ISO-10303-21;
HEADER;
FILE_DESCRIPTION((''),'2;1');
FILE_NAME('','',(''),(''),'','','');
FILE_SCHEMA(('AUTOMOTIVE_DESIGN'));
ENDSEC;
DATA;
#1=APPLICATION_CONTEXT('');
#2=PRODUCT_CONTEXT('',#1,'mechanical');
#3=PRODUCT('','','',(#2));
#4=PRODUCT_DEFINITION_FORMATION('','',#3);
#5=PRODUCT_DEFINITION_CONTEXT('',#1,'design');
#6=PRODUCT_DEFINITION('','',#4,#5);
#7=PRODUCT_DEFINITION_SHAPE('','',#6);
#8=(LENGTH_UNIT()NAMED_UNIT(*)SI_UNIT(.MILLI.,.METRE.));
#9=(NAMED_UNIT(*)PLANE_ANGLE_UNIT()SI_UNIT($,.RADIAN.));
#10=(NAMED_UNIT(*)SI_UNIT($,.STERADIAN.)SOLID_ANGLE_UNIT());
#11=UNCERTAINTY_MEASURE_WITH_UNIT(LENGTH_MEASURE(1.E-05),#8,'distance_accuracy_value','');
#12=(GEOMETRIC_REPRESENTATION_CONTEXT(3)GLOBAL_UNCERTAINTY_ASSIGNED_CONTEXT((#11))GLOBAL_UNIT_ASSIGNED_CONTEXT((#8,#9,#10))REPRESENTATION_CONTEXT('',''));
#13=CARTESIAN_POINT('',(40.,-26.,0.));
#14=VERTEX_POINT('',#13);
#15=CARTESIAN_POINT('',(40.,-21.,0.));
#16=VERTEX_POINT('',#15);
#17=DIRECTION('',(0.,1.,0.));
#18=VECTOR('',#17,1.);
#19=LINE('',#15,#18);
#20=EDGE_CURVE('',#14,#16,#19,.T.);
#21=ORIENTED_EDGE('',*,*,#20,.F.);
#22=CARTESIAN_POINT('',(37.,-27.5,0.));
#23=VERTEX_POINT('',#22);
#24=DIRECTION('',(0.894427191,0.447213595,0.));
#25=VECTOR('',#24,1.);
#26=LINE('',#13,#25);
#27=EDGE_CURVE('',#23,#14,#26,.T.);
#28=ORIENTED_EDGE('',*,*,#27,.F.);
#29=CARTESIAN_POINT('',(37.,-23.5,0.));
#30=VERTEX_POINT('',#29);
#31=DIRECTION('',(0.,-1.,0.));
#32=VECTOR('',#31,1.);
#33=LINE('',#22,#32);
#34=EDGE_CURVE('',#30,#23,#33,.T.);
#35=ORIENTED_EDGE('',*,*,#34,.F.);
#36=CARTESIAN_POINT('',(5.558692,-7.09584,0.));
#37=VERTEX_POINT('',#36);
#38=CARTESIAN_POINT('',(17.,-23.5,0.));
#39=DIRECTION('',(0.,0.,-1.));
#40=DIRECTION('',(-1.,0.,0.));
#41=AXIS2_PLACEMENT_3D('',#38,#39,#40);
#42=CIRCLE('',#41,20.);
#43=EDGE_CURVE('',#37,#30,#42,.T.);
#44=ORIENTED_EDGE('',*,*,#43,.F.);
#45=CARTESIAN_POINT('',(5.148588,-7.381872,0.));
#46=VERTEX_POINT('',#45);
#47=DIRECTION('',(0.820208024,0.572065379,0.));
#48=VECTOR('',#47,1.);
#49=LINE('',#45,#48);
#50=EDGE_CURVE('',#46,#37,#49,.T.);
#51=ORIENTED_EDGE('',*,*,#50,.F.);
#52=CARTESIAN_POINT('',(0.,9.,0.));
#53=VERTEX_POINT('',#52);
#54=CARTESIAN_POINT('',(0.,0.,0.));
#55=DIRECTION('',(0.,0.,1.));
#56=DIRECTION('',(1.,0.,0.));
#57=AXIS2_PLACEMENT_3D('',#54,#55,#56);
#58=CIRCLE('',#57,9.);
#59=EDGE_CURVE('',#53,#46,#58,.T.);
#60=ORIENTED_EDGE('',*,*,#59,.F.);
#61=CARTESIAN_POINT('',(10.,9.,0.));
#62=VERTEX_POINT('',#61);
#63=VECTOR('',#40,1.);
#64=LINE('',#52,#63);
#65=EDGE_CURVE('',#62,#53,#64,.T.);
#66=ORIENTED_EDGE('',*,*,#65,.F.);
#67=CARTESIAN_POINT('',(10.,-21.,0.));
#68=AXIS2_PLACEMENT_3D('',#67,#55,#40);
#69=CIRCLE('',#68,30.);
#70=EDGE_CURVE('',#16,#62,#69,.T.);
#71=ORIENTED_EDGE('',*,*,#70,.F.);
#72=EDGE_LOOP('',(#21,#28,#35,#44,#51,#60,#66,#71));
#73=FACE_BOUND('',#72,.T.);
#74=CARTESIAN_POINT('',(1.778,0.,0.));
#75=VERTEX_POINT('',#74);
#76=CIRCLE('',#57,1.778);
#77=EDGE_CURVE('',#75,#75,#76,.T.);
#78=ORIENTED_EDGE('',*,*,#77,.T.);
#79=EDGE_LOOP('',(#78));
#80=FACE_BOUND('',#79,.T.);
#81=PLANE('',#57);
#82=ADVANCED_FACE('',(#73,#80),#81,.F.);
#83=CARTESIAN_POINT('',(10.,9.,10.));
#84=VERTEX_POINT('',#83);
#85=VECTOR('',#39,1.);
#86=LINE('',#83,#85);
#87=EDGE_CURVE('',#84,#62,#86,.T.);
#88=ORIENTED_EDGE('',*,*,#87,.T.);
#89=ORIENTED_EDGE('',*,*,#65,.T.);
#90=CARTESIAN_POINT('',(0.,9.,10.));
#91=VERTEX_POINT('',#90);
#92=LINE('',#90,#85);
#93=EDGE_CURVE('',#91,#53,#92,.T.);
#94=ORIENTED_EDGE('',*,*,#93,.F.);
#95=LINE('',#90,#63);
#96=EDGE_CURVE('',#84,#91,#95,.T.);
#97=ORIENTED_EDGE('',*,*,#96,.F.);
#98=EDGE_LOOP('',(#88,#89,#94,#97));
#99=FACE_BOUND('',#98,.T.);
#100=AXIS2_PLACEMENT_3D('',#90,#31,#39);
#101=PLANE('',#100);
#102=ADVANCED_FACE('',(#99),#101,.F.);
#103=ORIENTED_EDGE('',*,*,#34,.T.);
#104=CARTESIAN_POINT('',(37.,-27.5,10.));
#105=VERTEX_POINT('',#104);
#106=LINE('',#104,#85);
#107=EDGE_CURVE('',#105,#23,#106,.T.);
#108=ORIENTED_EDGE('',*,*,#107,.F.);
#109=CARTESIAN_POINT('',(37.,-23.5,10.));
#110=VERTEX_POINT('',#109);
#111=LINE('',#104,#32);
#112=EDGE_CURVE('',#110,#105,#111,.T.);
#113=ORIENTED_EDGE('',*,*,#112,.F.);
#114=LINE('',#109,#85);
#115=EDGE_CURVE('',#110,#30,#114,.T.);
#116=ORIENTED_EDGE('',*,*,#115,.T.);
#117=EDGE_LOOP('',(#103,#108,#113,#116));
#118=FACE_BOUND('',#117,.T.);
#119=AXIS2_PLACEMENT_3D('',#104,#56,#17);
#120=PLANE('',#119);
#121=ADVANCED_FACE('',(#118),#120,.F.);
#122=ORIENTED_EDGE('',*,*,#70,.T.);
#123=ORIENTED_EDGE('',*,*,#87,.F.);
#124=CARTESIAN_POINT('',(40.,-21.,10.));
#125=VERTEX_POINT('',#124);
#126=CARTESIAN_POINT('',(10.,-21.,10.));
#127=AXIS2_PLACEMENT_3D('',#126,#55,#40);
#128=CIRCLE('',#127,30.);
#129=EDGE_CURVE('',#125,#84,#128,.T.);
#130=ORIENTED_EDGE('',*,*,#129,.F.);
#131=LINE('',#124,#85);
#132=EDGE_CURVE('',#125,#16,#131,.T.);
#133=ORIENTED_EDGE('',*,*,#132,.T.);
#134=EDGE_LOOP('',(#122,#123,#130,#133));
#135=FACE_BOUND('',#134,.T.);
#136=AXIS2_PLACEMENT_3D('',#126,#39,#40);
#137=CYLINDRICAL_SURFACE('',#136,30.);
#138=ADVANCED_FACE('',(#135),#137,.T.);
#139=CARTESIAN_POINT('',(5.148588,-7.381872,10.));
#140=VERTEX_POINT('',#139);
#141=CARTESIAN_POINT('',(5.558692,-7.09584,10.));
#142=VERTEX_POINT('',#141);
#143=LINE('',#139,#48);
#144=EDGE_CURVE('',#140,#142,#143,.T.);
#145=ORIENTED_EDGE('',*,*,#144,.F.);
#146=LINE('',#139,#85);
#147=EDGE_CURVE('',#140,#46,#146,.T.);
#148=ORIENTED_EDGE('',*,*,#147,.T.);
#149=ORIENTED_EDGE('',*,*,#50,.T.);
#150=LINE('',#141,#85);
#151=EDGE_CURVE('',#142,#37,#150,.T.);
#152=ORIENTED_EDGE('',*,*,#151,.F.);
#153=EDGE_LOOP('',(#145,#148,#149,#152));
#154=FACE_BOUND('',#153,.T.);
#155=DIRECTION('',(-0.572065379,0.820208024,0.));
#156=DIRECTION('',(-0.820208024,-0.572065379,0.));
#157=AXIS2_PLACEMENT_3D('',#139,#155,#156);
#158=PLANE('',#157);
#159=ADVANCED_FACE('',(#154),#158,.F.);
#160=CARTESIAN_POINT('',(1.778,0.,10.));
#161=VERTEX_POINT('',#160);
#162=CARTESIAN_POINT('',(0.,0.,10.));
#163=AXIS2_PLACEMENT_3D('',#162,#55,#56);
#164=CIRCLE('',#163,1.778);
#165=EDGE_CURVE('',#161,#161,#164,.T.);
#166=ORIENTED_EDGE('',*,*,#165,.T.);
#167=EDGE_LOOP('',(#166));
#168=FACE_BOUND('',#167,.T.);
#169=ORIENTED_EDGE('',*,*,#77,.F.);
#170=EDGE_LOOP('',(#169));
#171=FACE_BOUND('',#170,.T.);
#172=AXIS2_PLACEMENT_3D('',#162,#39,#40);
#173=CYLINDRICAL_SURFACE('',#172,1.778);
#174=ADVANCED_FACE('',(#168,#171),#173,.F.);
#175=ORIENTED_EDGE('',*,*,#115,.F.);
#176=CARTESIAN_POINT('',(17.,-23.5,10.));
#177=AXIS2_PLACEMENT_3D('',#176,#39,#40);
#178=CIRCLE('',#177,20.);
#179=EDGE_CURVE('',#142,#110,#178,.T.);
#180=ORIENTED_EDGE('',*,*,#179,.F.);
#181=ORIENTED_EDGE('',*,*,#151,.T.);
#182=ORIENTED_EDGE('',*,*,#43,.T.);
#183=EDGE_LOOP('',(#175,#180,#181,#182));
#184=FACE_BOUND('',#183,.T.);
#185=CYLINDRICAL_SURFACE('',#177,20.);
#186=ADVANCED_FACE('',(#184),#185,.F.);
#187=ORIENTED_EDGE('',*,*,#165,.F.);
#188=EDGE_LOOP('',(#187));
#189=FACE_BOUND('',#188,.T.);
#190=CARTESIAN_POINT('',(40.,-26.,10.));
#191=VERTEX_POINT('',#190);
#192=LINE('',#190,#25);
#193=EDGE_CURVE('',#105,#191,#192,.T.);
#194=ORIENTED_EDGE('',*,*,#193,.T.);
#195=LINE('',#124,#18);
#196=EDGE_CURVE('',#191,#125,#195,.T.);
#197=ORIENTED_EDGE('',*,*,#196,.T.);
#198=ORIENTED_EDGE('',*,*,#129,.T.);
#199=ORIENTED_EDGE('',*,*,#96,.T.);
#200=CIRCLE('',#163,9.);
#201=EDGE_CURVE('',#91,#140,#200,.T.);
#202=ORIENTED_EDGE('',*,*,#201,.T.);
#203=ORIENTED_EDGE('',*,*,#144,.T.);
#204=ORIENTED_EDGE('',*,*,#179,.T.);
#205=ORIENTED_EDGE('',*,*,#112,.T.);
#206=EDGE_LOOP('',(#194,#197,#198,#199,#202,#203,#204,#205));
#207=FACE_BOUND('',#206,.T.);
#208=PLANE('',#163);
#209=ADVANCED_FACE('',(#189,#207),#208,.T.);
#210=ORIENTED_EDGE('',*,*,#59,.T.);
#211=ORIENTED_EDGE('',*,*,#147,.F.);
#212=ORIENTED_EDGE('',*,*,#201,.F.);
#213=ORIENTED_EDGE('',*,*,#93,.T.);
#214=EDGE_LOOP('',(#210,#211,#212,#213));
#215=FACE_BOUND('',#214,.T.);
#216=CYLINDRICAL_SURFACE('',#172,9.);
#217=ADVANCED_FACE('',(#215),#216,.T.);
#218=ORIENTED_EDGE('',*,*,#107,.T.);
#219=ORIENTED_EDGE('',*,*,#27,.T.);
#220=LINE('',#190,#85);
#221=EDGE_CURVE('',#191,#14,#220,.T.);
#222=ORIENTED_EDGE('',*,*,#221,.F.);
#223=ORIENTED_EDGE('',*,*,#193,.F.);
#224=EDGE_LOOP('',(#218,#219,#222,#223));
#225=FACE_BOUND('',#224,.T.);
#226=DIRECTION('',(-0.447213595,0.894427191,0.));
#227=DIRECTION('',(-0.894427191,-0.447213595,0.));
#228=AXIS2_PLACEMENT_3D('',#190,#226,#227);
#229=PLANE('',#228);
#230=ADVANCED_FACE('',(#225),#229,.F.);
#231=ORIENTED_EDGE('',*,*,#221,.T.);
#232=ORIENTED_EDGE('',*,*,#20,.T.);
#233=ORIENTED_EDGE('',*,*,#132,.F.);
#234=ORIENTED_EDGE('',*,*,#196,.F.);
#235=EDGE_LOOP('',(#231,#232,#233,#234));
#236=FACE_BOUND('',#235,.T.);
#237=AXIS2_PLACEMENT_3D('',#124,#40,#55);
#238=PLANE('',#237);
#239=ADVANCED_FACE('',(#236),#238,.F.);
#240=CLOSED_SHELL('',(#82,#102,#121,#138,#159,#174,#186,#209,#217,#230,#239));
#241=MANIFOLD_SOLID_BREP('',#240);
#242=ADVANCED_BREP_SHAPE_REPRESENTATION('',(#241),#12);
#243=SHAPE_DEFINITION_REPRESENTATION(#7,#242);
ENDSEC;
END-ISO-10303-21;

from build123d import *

# Parameters (mm, degrees)
SKETCH1_R           = 1.778
BOSS_EXTRUDE1_DEPTH = 10


with BuildPart() as part:
    # Sketch1 → Boss-Extrude1 (new body)
    with BuildSketch(Plane.XY):
        with BuildLine():
            Line((0, 9), (10, 9))
            ThreePointArc((10, 9), (31.213203436, 0.213203436), (40, -21))
            Line((40, -21), (40, -26))
            Line((40, -26), (37, -27.5))
            Line((37, -27.5), (37, -23.5))
            ThreePointArc((37, -23.5), (26.251320134, -5.768303077), (5.558692422, -7.095839525))
            Line((5.558692422, -7.095839525), (5.14858841, -7.381872214))
            ThreePointArc((5.14858841, -7.381872214), (-8.585943452, -2.698439371), (0, 9))
        make_face()
        Circle(SKETCH1_R, mode=Mode.SUBTRACT)
    extrude(amount=BOSS_EXTRUDE1_DEPTH)


solid = part.part
